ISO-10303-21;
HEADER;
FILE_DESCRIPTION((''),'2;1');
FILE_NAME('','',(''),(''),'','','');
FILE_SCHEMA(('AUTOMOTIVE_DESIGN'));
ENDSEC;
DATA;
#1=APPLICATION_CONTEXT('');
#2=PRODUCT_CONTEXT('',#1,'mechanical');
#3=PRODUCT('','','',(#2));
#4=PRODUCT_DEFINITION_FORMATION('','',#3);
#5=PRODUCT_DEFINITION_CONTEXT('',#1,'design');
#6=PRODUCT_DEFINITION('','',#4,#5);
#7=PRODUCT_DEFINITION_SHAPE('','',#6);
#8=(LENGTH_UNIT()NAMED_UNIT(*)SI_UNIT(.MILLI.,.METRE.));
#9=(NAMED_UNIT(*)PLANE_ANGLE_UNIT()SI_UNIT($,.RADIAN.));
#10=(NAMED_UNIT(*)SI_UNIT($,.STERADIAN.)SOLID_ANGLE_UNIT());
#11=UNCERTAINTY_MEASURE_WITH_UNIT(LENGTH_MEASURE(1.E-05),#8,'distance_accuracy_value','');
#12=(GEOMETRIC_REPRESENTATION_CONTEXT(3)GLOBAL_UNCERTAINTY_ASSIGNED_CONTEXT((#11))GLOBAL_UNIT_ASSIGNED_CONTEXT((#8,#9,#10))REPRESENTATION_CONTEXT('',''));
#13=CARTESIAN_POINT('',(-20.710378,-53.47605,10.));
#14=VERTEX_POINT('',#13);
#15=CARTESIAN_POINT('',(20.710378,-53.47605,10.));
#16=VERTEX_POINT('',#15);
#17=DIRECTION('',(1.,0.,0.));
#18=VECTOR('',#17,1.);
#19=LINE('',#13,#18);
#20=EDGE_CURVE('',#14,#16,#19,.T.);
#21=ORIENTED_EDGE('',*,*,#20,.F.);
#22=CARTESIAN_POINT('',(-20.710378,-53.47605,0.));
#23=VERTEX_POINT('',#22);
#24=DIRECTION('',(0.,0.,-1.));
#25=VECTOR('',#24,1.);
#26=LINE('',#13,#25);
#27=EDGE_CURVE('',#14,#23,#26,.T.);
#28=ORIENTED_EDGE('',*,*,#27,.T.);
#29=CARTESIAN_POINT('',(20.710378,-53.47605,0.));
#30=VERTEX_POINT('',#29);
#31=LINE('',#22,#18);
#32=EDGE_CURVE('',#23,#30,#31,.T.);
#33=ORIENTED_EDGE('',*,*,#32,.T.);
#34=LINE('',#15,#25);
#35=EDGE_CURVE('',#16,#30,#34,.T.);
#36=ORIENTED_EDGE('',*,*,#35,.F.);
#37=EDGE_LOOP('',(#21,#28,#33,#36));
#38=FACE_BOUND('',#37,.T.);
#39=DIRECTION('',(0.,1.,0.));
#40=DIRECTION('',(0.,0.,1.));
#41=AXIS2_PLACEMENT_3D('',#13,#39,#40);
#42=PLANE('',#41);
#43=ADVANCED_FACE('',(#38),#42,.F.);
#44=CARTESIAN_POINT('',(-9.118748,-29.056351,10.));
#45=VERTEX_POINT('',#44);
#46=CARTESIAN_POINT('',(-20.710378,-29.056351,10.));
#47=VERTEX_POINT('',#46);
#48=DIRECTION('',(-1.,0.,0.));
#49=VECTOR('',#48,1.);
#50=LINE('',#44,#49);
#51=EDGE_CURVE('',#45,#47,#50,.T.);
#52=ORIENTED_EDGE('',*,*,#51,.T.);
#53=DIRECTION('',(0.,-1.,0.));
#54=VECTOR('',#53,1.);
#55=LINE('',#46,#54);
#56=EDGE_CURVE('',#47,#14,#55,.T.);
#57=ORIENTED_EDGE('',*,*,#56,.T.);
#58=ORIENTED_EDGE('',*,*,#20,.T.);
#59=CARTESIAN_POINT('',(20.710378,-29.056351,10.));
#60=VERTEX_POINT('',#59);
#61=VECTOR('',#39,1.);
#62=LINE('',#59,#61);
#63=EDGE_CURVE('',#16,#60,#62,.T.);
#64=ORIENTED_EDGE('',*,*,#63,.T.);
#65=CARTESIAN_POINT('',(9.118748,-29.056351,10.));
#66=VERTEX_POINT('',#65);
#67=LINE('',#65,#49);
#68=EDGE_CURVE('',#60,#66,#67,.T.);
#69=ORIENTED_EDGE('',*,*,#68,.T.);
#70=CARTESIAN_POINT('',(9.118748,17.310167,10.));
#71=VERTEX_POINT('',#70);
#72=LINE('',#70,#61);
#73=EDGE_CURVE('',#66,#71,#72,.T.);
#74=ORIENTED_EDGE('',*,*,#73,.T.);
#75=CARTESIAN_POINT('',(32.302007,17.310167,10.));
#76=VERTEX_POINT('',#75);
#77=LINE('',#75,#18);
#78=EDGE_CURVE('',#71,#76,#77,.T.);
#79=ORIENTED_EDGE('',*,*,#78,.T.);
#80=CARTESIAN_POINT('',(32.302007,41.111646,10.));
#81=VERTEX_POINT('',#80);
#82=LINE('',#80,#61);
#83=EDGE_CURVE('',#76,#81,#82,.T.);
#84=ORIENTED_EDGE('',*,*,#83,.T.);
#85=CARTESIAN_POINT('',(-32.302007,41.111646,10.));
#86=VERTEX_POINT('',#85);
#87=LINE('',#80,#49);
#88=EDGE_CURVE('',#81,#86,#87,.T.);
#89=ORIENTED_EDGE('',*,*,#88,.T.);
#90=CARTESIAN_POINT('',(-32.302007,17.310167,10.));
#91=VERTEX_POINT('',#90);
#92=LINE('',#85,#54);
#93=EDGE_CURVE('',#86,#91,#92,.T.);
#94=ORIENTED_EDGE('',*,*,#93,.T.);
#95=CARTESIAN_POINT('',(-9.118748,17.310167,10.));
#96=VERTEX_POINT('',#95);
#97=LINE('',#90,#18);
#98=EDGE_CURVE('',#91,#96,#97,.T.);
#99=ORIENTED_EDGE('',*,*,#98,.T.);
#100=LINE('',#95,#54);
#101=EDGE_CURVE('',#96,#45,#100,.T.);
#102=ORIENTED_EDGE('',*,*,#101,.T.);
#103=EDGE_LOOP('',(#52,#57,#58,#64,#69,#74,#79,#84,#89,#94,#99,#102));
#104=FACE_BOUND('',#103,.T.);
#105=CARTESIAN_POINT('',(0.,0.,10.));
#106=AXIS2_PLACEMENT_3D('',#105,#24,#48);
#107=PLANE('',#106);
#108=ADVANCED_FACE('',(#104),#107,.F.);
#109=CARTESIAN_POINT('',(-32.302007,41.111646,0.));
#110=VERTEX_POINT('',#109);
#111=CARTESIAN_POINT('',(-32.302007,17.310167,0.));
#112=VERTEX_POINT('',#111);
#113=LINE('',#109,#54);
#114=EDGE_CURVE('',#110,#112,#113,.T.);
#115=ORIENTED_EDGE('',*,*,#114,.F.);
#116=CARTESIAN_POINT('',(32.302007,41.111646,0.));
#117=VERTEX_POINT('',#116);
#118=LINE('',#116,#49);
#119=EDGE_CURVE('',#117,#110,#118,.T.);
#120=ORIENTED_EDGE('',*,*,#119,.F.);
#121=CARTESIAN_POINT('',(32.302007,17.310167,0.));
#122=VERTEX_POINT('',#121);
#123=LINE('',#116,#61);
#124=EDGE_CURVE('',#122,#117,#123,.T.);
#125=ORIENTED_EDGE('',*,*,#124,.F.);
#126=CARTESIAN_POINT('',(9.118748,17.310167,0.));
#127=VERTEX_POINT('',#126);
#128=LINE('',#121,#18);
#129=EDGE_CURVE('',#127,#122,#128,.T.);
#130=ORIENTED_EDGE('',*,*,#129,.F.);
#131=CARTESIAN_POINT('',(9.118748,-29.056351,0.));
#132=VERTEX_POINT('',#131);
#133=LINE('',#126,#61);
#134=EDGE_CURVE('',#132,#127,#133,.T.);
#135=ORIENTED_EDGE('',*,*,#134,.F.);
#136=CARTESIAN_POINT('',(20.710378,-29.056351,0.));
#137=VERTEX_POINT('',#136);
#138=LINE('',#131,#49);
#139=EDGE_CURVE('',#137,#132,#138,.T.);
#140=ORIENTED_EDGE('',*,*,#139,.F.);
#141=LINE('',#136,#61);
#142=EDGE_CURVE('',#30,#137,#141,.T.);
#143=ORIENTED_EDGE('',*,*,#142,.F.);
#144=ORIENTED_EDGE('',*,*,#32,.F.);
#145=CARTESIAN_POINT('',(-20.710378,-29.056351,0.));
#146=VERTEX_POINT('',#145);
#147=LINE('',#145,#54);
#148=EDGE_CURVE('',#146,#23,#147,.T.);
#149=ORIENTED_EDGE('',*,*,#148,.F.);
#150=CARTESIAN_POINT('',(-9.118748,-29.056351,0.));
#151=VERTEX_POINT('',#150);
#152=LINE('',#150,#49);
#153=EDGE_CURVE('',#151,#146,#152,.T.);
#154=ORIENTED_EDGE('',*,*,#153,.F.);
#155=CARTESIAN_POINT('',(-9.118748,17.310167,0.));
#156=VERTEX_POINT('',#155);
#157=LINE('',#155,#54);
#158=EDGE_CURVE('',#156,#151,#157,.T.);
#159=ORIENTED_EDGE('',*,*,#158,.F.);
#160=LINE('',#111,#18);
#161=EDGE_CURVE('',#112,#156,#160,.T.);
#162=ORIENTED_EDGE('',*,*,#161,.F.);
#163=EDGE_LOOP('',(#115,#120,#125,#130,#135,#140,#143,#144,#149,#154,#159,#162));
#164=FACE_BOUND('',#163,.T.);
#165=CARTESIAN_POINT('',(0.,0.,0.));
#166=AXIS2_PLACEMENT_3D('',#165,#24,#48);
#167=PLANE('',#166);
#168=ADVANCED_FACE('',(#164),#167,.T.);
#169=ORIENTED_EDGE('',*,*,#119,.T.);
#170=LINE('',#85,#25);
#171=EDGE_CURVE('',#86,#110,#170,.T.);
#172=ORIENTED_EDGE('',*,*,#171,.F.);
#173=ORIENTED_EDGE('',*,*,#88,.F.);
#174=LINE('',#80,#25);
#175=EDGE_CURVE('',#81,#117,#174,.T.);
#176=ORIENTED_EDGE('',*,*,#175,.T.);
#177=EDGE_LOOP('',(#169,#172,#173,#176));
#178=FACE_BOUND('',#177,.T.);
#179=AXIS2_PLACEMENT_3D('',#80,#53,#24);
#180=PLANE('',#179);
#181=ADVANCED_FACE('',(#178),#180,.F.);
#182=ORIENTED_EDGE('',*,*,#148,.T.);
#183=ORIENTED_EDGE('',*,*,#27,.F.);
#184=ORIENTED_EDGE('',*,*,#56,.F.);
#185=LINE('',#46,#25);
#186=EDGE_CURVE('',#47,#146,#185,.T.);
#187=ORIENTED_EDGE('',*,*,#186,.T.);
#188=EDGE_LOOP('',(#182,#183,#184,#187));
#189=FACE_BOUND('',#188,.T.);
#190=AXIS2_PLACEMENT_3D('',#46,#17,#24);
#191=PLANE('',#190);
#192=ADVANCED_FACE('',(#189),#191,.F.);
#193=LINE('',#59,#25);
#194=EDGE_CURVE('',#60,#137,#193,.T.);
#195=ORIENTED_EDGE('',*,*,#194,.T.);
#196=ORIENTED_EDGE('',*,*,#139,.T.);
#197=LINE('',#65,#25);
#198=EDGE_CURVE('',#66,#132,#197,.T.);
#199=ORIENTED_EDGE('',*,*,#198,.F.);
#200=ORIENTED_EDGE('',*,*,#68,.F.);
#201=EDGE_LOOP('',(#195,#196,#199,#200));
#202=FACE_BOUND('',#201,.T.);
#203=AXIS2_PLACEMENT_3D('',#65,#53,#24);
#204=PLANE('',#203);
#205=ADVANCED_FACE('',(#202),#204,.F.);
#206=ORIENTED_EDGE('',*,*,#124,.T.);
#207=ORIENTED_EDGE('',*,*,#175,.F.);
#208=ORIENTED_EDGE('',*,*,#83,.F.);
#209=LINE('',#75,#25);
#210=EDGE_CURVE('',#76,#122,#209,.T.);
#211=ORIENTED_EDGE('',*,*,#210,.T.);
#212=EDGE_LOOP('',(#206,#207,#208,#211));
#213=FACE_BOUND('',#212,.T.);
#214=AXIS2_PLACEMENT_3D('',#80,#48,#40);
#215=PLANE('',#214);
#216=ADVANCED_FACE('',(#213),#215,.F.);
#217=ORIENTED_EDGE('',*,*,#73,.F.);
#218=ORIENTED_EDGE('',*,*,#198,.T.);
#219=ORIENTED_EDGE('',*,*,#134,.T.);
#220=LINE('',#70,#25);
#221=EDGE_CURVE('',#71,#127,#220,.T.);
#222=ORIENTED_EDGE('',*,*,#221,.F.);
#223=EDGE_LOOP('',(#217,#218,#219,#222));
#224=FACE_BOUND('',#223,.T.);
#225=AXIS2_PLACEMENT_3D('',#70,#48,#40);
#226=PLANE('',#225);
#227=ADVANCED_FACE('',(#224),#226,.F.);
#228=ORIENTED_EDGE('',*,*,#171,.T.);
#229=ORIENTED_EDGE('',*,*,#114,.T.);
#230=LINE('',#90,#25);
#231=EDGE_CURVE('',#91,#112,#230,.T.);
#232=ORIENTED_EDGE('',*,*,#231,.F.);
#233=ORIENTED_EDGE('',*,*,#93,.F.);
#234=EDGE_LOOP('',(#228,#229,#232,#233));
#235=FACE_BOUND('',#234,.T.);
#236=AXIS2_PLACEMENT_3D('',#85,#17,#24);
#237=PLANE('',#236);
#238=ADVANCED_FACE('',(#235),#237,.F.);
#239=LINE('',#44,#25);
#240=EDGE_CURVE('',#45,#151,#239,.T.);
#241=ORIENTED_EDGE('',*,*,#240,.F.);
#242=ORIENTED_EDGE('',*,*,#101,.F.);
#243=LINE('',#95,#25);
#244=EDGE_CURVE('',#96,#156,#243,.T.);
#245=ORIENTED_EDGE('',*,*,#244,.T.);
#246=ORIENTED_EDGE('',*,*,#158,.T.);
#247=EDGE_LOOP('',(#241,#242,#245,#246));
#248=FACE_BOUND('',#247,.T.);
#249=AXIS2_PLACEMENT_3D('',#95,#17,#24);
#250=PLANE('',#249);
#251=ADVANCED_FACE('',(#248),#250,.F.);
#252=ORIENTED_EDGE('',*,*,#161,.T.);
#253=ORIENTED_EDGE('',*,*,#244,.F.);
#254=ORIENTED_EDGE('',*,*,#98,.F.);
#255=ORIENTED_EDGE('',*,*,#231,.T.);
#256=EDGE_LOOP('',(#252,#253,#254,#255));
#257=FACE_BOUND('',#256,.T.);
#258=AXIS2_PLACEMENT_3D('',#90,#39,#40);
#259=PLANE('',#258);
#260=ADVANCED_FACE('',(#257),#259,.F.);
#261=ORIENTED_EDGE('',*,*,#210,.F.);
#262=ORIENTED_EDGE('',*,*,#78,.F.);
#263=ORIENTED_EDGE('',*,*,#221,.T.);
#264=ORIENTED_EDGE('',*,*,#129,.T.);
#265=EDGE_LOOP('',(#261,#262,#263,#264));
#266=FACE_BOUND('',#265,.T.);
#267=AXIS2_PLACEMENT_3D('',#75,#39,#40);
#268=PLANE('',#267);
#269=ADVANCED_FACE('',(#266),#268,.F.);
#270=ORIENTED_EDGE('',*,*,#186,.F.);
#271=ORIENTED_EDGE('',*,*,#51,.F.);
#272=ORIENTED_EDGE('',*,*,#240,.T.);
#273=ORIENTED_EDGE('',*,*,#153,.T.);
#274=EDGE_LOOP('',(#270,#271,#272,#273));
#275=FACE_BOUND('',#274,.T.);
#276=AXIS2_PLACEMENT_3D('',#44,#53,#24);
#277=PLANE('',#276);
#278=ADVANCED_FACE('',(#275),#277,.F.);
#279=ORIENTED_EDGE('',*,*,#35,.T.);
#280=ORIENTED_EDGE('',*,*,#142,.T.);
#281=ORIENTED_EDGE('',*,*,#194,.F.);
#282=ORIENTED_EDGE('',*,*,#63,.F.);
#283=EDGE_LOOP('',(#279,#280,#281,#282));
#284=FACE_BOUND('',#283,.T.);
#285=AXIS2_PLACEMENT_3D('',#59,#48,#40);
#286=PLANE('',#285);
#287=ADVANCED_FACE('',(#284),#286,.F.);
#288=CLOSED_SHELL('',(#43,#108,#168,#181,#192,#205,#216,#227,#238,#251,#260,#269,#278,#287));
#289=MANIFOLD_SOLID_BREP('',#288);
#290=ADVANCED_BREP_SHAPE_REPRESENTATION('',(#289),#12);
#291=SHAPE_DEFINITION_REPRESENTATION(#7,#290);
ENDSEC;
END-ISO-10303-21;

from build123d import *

# Parameters (mm, degrees)
EXTRUDE_1_DEPTH = 10


with BuildPart() as part:
    # Эскиз1 → Бобышка-Вытянуть1 (new body)
    with BuildSketch(Plane.XY):
        Polygon((32.302007209, 41.111645538), (-32.302007209, 41.111645538), (-32.302007209, 17.310166542), (-9.118748446, 17.310166542), (-9.118748446, -29.056350982), (-20.710377827, -29.056350982), (-20.710377827, -53.476050211), (20.710377827, -53.476050211), (20.710377827, -29.056350982), (9.118748446, -29.056350982), (9.118748446, 17.310166542), (32.302007209, 17.310166542), align=None)
    extrude(amount=EXTRUDE_1_DEPTH)


solid = part.part
